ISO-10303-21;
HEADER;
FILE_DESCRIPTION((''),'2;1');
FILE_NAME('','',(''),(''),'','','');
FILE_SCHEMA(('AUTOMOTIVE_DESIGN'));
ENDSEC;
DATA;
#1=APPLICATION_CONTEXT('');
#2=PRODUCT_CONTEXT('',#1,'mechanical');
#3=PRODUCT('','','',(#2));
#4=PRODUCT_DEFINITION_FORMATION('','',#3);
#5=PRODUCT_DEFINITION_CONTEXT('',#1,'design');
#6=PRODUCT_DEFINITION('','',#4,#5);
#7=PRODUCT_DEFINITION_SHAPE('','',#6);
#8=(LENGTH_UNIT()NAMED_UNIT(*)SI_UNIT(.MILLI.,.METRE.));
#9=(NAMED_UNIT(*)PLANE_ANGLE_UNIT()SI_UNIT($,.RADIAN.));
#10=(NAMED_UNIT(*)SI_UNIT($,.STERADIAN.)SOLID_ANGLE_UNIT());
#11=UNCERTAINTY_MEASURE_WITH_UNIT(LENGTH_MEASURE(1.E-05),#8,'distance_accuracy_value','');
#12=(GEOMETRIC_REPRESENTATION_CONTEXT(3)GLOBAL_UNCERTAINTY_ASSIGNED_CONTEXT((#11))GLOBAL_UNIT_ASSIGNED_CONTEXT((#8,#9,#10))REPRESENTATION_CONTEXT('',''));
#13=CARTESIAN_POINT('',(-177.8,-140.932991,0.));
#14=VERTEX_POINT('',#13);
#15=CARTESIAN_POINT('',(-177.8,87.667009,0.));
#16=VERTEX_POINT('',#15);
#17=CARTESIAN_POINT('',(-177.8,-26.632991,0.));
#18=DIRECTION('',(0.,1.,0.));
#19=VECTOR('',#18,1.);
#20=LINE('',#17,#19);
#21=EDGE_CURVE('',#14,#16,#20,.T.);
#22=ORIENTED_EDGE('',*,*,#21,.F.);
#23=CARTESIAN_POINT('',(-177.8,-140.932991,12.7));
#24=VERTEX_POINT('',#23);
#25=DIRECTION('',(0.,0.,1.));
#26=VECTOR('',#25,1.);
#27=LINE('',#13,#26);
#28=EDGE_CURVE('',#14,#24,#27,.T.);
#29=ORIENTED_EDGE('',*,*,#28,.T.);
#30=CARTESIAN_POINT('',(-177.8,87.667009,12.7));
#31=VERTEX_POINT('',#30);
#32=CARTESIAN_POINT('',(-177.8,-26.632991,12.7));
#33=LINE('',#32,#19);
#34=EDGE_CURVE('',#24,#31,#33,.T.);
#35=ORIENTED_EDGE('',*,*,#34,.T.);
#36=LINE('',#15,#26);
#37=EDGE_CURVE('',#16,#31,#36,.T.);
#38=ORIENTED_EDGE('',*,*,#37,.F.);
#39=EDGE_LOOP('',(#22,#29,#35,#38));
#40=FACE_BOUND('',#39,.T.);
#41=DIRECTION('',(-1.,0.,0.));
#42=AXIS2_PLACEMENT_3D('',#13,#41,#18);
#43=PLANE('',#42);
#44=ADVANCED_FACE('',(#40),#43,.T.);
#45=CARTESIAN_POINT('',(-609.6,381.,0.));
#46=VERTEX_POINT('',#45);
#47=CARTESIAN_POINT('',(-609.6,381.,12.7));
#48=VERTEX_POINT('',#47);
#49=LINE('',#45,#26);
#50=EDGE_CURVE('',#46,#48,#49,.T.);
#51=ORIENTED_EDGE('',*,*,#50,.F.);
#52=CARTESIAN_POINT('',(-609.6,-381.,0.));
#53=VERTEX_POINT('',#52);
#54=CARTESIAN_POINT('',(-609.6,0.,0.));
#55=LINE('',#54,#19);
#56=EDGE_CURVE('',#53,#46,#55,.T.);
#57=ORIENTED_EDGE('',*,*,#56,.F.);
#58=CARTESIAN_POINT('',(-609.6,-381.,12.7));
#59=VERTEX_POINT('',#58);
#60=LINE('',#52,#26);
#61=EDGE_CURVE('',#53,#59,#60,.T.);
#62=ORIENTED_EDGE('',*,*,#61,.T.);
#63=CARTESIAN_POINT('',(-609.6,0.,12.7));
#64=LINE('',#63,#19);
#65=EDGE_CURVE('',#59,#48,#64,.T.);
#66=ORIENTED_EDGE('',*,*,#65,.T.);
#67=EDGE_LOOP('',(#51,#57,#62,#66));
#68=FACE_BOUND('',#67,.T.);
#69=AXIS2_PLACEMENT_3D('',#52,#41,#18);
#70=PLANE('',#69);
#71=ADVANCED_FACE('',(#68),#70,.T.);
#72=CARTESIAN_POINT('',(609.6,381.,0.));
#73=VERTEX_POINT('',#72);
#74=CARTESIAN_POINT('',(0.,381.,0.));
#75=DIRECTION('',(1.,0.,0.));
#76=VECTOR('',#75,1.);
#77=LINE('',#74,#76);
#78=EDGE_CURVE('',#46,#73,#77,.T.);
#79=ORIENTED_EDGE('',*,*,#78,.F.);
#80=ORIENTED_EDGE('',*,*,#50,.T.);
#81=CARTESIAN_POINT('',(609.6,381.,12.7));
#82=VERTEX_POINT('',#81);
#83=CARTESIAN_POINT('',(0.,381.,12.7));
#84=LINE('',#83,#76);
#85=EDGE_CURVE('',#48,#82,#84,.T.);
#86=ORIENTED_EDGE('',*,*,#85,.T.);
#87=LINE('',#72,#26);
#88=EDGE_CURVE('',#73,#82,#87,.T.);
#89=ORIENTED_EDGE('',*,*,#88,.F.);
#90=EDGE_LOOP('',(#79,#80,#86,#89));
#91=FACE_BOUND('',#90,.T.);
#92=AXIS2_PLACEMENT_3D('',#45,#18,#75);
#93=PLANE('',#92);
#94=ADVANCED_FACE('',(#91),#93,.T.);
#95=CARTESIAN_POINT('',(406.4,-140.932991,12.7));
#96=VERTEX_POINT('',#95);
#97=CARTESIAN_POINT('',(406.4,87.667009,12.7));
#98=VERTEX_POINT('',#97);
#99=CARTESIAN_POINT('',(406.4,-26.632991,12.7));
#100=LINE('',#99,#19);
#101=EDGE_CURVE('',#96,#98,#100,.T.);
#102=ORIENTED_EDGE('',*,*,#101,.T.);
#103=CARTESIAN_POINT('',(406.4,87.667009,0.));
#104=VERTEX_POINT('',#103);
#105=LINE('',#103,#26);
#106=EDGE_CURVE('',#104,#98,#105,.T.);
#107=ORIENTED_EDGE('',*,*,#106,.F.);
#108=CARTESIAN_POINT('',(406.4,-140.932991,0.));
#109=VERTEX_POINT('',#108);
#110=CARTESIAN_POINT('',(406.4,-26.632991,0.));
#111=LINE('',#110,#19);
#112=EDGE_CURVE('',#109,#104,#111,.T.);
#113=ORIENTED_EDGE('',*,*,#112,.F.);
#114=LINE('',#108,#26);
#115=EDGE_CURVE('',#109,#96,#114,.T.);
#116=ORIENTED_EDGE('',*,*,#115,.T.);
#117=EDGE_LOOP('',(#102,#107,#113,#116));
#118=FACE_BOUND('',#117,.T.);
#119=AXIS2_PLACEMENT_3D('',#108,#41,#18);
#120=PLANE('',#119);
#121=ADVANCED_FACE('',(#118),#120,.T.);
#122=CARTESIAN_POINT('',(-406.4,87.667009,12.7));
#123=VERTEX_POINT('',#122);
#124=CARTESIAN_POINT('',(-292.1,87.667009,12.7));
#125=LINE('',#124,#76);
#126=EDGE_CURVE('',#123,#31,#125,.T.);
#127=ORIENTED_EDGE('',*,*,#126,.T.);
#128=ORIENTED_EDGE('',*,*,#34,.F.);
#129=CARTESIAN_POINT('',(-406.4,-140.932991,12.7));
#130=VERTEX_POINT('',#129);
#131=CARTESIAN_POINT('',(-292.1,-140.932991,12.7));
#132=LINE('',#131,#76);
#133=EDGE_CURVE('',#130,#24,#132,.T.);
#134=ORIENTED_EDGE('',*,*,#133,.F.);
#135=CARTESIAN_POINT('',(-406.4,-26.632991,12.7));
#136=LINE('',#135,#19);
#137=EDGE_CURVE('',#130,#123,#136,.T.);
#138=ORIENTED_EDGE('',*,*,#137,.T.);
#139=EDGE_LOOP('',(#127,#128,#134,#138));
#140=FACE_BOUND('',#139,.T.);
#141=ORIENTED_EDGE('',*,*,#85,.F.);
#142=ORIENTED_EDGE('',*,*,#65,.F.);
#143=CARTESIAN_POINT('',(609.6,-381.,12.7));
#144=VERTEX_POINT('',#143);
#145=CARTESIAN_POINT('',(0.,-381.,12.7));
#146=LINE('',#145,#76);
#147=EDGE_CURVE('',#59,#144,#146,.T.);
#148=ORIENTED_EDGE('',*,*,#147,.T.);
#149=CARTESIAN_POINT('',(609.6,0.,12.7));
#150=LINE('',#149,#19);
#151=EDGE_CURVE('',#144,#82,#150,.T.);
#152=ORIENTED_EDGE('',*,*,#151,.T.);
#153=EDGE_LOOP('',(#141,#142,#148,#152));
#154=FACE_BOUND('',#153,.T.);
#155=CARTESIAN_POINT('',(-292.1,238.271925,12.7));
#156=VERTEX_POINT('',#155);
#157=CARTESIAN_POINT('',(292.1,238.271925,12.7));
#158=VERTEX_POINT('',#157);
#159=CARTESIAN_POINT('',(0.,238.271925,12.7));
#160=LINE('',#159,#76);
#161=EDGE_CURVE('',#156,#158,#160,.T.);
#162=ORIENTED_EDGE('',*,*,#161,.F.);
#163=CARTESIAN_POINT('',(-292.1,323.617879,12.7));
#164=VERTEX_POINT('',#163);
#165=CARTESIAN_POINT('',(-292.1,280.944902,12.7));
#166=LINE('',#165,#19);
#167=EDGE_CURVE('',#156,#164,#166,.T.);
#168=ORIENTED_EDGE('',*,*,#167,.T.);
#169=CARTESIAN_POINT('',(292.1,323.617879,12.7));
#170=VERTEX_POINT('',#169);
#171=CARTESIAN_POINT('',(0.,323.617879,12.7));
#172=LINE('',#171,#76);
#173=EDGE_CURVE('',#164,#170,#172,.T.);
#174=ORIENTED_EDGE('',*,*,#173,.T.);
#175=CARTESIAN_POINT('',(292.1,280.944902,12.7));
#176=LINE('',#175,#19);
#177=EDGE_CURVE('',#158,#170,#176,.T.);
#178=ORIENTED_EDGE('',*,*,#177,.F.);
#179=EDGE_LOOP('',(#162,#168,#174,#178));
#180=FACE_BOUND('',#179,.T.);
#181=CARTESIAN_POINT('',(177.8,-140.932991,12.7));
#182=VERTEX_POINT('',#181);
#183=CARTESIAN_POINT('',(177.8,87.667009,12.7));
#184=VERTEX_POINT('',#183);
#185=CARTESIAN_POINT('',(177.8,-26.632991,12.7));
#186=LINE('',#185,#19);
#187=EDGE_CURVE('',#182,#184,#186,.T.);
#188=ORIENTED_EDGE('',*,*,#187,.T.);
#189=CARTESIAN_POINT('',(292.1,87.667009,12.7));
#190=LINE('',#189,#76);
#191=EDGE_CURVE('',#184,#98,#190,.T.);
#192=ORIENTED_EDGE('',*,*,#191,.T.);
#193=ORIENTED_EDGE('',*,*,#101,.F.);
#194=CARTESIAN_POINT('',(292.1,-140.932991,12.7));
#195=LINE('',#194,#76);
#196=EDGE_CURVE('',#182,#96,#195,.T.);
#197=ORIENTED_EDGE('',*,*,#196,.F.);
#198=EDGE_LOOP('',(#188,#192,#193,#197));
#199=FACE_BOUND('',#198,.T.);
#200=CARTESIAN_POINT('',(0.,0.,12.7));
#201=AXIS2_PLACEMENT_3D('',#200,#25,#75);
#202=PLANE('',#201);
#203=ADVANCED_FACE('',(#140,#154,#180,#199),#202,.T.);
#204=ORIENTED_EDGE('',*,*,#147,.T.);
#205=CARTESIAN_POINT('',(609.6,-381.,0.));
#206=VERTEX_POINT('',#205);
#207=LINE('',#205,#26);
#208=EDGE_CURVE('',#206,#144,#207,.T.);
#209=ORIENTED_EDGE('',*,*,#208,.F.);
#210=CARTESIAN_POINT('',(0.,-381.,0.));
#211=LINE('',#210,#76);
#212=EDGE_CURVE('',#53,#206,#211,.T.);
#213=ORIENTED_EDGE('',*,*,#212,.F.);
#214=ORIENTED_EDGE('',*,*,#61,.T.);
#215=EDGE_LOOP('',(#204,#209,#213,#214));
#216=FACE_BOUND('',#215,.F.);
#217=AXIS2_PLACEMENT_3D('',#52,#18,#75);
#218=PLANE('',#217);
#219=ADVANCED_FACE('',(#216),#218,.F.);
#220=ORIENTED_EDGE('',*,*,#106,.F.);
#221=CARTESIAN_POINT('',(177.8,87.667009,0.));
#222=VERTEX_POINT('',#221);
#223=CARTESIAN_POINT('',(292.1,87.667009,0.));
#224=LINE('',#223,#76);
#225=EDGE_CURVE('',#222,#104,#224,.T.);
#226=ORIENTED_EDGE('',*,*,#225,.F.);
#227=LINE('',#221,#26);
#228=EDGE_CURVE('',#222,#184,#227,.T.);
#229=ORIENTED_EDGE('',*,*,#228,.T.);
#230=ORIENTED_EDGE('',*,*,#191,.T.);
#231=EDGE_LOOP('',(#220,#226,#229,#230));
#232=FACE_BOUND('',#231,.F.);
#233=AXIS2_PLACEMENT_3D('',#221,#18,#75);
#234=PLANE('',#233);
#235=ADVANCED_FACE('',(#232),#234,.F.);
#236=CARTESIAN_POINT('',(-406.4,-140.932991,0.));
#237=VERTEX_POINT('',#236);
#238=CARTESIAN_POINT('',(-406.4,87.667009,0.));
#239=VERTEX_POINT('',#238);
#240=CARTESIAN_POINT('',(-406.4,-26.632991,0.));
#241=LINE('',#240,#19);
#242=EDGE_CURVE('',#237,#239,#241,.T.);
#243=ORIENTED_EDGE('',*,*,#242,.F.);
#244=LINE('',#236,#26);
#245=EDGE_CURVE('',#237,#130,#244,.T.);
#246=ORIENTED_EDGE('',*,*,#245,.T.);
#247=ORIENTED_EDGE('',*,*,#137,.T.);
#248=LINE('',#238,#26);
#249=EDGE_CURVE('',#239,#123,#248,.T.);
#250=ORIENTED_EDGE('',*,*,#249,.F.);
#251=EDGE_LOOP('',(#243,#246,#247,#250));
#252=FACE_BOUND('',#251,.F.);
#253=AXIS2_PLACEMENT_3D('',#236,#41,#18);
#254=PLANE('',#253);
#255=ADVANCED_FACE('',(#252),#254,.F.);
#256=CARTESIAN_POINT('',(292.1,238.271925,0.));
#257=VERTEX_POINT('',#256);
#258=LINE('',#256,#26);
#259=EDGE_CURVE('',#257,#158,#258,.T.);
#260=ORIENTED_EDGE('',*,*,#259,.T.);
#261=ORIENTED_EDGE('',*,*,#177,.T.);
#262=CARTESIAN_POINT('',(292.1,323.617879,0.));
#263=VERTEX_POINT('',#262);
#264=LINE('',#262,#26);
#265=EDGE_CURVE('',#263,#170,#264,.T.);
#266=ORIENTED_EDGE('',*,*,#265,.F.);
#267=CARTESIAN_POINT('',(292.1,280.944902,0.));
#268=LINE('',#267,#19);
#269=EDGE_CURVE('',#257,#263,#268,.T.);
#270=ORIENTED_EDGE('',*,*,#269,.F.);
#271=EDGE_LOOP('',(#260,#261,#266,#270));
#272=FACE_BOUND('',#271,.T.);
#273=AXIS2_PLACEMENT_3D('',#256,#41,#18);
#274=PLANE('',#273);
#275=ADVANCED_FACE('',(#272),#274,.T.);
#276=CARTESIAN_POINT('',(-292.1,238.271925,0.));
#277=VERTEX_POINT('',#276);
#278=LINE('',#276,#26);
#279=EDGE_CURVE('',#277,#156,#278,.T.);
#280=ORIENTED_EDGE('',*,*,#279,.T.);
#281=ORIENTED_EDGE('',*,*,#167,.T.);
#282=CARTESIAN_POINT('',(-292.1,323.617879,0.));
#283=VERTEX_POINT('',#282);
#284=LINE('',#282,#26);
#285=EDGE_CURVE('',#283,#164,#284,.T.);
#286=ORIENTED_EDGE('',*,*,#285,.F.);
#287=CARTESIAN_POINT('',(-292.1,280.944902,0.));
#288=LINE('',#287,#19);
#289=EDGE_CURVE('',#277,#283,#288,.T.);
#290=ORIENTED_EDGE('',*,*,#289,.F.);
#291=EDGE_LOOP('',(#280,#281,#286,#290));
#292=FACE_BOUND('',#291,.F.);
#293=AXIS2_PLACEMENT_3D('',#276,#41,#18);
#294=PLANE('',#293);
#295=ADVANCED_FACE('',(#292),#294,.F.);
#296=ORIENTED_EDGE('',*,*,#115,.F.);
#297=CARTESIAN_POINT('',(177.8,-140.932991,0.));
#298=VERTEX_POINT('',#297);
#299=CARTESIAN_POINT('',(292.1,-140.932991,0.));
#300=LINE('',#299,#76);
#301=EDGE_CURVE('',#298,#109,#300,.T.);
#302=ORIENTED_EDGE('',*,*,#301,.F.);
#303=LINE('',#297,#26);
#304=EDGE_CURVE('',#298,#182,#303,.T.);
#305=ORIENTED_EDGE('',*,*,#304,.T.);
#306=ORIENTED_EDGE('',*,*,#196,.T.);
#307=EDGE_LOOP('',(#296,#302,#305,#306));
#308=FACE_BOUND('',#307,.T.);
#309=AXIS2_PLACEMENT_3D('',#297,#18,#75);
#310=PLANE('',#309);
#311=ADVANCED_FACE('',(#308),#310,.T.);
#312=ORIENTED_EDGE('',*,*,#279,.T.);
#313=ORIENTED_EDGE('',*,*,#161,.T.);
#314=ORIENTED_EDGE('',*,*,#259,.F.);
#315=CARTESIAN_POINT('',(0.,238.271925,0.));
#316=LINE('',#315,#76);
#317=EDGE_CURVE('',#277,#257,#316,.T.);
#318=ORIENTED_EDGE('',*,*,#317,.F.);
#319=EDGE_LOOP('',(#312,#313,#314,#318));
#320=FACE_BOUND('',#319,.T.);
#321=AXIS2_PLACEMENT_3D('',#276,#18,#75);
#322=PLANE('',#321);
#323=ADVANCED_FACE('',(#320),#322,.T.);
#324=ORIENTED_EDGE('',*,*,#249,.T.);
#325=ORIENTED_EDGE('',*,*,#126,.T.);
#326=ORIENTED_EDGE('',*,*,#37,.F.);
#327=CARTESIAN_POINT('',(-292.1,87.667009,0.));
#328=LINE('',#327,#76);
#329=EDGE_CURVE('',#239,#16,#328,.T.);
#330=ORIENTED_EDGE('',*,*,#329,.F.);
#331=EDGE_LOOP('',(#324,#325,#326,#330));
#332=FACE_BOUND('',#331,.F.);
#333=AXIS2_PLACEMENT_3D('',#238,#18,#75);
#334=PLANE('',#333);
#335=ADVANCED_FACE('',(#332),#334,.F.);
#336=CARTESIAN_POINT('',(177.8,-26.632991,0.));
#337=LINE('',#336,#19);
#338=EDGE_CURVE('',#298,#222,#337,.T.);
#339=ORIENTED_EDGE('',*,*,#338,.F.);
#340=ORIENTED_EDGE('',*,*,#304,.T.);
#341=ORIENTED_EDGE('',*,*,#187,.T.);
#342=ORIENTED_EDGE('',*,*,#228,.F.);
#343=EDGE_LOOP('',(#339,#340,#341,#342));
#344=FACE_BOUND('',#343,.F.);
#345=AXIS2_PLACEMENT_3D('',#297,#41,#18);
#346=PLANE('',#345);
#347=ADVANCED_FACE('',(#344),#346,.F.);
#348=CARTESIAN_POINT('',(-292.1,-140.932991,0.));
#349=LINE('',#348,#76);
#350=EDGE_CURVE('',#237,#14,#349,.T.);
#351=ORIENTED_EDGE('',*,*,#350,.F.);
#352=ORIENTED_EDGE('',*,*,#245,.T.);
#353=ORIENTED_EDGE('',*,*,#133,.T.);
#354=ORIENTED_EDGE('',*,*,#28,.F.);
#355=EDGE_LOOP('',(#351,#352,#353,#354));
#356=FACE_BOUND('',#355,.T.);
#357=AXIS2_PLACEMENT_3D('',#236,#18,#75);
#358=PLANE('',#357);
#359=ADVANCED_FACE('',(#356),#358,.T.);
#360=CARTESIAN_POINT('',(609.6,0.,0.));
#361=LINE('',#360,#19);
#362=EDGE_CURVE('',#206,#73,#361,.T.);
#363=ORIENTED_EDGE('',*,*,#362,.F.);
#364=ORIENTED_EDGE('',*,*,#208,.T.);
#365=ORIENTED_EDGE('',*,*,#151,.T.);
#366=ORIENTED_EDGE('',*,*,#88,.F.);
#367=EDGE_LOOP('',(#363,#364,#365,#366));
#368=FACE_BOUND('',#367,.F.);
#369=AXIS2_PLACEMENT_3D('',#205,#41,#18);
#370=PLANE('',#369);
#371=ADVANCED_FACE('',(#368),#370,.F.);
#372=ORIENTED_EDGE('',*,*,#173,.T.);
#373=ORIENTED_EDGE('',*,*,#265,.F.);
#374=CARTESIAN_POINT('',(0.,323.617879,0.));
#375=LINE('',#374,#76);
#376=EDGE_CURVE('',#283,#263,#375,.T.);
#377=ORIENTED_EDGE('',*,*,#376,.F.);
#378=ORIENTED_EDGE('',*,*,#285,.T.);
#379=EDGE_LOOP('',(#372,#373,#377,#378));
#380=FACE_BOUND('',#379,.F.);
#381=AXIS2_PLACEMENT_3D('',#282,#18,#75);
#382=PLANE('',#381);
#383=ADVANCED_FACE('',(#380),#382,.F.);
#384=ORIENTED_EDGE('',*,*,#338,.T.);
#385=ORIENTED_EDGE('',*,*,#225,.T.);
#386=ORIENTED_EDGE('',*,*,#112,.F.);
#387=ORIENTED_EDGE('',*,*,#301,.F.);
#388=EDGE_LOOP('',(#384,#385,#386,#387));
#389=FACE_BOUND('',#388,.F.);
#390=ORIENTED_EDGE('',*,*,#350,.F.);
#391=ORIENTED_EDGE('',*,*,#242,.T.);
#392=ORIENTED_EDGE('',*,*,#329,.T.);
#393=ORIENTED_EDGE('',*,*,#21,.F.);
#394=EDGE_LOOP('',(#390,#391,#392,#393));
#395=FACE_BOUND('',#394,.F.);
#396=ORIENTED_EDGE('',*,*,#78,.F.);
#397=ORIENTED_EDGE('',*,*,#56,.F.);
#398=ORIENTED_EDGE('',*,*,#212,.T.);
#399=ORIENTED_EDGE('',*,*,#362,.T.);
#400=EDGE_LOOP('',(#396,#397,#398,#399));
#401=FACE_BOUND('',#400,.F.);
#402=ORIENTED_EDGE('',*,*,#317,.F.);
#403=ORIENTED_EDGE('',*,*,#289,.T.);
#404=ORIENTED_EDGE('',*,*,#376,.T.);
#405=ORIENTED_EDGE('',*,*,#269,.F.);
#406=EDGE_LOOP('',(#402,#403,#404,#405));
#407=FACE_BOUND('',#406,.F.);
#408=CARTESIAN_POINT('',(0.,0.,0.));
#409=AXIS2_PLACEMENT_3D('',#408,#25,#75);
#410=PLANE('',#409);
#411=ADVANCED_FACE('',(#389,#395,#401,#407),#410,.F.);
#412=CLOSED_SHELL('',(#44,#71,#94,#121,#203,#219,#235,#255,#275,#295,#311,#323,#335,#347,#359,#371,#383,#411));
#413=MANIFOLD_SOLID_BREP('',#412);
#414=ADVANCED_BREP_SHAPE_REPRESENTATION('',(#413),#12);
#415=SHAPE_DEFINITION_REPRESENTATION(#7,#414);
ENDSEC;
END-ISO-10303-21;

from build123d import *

# Parameters (mm, degrees)
F0_W     = 1219.2
F0_H     = 762
F0_W_2   = 228.6
F0_H_2   = 228.6
F0_W_3   = 584.2
F0_H_3   = 85.345954
F1_DEPTH = 12.7


with BuildPart() as f1:
    # F0 (on Top) → F1 (new body)
    with BuildSketch(Plane.XY):
        Rectangle(F0_W, F0_H)
        with Locations((-292.1, -26.632991)):
            Rectangle(F0_W_2, F0_H_2, mode=Mode.SUBTRACT)
        with Locations((292.1, -26.632991)):
            Rectangle(F0_W_2, F0_H_2, mode=Mode.SUBTRACT)
        with Locations((0, 280.944902)):
            Rectangle(F0_W_3, F0_H_3, mode=Mode.SUBTRACT)
    extrude(amount=F1_DEPTH)


solid = f1.part
